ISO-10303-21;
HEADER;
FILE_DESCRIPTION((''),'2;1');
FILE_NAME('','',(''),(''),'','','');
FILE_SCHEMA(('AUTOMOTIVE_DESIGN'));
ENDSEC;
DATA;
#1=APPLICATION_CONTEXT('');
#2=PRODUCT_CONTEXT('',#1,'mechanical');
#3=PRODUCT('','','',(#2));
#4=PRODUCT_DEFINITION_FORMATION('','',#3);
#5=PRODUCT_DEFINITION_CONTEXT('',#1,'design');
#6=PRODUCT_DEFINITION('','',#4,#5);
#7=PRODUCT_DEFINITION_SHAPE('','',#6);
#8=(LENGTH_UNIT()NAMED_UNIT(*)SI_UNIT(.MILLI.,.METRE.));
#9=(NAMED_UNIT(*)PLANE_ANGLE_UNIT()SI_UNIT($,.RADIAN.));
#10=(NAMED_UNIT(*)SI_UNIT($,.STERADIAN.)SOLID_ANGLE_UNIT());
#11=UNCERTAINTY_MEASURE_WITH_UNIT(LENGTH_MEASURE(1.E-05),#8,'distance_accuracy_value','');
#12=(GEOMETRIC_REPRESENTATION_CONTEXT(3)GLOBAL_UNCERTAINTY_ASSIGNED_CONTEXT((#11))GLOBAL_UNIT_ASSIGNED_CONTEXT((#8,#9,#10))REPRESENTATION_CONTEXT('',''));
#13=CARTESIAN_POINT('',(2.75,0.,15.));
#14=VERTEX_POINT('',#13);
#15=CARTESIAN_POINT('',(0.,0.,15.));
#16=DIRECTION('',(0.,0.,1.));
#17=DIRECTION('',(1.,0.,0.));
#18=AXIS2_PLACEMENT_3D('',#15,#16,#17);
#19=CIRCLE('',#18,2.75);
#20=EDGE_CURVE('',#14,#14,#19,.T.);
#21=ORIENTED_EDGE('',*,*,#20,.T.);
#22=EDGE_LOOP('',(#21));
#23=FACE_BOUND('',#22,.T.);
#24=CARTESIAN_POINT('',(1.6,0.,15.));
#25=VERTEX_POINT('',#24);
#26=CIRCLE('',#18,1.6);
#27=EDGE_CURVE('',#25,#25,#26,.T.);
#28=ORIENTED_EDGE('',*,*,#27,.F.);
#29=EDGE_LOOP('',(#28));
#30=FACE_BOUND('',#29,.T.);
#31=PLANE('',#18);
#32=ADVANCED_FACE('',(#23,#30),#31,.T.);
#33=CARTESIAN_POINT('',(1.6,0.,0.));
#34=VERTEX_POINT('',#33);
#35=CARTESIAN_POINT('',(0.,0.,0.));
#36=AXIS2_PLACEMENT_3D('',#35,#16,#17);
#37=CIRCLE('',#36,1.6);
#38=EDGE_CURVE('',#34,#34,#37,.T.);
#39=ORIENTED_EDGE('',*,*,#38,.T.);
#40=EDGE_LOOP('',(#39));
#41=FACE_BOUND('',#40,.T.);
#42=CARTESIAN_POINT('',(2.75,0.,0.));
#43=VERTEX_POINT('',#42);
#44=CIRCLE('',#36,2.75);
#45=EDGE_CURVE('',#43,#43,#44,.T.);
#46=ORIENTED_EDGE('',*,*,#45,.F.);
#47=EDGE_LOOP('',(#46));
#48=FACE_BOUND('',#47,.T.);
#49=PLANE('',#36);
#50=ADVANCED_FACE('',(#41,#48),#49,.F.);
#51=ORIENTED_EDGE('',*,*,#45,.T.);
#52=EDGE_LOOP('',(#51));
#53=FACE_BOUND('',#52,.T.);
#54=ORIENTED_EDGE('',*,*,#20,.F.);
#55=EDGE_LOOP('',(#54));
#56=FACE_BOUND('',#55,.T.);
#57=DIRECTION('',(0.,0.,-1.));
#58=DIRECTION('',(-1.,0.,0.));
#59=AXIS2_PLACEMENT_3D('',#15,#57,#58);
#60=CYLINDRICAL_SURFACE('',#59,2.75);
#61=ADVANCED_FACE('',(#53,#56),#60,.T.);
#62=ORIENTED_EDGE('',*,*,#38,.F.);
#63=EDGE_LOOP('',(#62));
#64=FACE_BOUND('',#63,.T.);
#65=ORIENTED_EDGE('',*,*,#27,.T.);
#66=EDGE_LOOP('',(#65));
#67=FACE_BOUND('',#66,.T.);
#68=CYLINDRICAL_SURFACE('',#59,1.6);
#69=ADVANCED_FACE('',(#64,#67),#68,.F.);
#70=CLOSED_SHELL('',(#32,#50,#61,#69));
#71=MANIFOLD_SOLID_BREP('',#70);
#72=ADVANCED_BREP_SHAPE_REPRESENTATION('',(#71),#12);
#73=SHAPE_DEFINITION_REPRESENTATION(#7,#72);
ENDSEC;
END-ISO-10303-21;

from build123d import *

# Parameters (mm, degrees)
SKETCH_1_R      = 2.75
SKETCH_1_R_2    = 1.6
EXTRUDE_1_DEPTH = 15


with BuildPart() as part:
    # 草圖1 → 填料-伸長1 (new body)
    with BuildSketch(Plane.XY):
        Circle(SKETCH_1_R)
        Circle(SKETCH_1_R_2, mode=Mode.SUBTRACT)
    extrude(amount=EXTRUDE_1_DEPTH)


solid = part.part
